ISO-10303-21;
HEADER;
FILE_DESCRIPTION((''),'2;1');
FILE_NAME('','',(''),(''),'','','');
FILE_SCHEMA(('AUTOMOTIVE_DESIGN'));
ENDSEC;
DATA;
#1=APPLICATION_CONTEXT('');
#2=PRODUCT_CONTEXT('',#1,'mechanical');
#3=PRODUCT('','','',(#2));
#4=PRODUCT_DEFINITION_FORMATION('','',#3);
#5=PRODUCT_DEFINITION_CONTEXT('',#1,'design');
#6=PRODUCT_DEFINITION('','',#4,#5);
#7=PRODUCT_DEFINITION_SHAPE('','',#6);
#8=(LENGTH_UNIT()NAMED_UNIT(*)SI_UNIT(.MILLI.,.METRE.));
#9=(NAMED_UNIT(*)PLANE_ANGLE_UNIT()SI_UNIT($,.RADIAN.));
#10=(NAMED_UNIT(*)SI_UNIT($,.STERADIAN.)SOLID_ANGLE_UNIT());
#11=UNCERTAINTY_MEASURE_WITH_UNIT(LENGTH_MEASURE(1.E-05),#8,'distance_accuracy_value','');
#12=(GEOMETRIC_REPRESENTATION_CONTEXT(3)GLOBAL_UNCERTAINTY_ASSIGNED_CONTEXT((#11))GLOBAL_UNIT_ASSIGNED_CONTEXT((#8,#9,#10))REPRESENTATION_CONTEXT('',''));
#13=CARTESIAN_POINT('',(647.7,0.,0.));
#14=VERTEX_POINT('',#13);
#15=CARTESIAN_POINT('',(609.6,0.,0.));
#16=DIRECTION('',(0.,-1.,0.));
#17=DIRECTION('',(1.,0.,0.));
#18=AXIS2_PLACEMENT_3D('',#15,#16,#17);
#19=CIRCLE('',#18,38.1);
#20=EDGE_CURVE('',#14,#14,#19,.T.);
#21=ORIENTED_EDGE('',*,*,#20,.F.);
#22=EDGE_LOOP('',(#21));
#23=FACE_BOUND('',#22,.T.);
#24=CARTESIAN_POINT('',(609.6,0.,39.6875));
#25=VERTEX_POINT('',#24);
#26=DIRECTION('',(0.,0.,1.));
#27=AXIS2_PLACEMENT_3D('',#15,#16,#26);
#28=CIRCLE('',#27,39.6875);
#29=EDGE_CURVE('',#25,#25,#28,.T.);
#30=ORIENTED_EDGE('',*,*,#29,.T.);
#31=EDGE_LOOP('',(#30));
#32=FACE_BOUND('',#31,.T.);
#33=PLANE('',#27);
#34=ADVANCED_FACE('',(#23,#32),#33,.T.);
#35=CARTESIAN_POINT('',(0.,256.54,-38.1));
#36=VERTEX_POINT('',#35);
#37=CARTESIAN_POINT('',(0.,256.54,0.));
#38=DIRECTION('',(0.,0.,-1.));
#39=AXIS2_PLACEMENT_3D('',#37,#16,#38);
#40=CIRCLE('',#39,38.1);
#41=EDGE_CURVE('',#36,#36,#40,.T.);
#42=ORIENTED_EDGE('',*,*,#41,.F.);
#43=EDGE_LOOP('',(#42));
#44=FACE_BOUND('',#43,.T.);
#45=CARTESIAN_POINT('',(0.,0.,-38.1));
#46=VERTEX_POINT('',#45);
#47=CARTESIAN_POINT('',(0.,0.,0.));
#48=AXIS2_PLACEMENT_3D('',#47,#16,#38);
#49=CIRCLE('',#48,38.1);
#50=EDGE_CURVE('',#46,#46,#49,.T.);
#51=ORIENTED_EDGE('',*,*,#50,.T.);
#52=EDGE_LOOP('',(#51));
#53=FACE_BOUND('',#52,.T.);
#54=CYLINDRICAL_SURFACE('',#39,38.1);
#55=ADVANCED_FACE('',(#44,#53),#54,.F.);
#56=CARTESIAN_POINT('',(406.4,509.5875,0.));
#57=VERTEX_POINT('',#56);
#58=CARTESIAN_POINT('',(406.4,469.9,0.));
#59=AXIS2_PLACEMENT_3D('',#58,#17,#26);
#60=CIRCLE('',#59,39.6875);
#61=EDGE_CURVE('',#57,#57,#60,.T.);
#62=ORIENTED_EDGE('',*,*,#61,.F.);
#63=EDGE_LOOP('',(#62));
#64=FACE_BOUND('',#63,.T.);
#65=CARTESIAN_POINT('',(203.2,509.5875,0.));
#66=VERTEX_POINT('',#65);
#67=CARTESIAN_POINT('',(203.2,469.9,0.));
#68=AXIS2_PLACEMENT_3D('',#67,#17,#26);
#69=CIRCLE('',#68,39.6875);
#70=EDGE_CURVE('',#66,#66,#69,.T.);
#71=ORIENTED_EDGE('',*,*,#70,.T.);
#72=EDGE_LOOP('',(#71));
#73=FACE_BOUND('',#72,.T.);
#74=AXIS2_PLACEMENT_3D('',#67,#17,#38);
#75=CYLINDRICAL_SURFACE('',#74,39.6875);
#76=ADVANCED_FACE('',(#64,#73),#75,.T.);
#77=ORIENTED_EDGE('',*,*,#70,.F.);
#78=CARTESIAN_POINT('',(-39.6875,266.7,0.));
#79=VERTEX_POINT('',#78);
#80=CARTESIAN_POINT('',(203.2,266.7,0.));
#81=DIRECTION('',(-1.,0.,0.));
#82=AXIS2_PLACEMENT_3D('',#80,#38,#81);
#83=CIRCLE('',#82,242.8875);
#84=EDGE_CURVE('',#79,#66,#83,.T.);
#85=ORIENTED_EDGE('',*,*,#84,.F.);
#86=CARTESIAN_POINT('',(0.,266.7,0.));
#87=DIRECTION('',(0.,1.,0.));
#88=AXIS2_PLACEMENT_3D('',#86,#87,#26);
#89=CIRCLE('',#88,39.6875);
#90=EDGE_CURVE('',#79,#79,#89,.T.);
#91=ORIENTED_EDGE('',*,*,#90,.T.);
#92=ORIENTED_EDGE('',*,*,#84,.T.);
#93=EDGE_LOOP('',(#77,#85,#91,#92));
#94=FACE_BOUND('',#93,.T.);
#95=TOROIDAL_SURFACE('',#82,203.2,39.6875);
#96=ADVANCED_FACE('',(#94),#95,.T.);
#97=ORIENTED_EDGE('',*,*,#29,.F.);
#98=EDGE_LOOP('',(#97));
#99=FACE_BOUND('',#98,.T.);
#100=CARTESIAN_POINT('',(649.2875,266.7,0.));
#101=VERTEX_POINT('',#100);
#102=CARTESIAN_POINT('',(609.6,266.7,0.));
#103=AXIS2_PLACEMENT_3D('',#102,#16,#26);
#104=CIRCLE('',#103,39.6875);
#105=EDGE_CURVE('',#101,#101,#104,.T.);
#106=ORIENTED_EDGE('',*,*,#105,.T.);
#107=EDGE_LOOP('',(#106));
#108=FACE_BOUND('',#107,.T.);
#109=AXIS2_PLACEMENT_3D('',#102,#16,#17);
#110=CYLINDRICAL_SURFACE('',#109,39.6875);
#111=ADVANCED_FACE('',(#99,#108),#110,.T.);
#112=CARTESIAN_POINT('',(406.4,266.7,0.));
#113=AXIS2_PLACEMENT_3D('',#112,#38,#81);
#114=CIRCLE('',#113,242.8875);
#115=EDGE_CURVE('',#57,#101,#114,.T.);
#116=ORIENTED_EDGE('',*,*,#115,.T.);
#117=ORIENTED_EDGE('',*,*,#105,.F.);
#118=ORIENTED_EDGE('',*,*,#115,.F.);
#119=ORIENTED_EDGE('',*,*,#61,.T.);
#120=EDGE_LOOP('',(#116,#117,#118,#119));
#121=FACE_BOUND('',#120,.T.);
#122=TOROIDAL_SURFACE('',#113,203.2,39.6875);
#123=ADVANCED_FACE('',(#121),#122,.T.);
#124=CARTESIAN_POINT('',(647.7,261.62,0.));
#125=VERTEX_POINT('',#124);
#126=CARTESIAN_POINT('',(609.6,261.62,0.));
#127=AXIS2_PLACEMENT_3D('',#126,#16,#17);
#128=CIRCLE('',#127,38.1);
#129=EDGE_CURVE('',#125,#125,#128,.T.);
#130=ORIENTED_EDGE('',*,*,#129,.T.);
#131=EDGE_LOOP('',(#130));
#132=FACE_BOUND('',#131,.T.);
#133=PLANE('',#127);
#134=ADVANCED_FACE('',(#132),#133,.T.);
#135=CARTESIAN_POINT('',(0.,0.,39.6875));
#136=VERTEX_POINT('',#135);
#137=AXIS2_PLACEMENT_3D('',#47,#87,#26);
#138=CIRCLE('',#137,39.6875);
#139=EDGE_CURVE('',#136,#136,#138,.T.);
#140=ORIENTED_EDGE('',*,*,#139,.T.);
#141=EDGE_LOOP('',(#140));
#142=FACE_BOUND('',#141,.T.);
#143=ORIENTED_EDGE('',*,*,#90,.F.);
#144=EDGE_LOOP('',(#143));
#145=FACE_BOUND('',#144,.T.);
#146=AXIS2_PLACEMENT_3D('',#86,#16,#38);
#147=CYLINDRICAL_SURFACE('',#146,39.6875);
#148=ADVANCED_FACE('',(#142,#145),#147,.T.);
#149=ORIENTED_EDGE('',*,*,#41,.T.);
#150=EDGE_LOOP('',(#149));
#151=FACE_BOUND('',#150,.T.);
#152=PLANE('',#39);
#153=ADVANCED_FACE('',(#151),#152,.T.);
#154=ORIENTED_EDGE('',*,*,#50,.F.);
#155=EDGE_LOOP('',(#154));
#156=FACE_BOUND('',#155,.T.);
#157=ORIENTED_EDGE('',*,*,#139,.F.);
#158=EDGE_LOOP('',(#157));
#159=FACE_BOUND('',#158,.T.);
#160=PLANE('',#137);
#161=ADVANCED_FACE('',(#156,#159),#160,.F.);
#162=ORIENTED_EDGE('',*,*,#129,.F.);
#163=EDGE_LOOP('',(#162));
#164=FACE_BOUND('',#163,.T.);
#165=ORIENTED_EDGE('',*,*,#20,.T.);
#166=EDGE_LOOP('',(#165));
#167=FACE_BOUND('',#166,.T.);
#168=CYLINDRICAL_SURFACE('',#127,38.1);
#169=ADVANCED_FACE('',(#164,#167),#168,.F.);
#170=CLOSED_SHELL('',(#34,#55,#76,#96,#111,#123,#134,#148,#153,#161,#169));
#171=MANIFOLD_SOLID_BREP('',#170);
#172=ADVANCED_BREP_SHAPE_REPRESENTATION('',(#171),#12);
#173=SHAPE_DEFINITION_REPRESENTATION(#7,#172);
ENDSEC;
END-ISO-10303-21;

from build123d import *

# Parameters (mm, degrees)
SKETCH2_R          = 39.6875
SKETCH3_R          = 38.1
CUT_EXTRUDE1_DEPTH = 256.54
SKETCH4_R          = 38.1
CUT_EXTRUDE2_DEPTH = 261.62


with BuildPart() as part:
    # Sweep1: sweep along a path in Sketch1
    with BuildLine(Plane.XY) as sweep1_path:
        Line((0, 0), (0, 266.7))
        ThreePointArc((0, 266.7), (59.515902063, 410.384097937), (203.2, 469.9))
        Line((203.2, 469.9), (406.4, 469.9))
        ThreePointArc((406.4, 469.9), (550.084097937, 410.384097937), (609.6, 266.7))
        Line((609.6, 266.7), (609.6, 0))
    # Sketch2 → Sweep1 (sweep)
    with BuildSketch(Plane(origin=(0, 0, 0), x_dir=(1, 0, 0), z_dir=(0, 1, 0))):
        Circle(SKETCH2_R)
    sweep(path=sweep1_path.line)

    # Sketch3 → Cut-Extrude1 (cut)
    with BuildSketch(Plane.XZ):
        with Locations(Location((0, 0, 0), (0, 0, 270))):
            Circle(SKETCH3_R)
    extrude(amount=-CUT_EXTRUDE1_DEPTH, mode=Mode.SUBTRACT)

    # Sketch4 → Cut-Extrude2 (cut)
    with BuildSketch(Plane.XZ):
        with Locations((609.6, 0)):
            Circle(SKETCH4_R)
    extrude(amount=-CUT_EXTRUDE2_DEPTH, mode=Mode.SUBTRACT)


solid = part.part
